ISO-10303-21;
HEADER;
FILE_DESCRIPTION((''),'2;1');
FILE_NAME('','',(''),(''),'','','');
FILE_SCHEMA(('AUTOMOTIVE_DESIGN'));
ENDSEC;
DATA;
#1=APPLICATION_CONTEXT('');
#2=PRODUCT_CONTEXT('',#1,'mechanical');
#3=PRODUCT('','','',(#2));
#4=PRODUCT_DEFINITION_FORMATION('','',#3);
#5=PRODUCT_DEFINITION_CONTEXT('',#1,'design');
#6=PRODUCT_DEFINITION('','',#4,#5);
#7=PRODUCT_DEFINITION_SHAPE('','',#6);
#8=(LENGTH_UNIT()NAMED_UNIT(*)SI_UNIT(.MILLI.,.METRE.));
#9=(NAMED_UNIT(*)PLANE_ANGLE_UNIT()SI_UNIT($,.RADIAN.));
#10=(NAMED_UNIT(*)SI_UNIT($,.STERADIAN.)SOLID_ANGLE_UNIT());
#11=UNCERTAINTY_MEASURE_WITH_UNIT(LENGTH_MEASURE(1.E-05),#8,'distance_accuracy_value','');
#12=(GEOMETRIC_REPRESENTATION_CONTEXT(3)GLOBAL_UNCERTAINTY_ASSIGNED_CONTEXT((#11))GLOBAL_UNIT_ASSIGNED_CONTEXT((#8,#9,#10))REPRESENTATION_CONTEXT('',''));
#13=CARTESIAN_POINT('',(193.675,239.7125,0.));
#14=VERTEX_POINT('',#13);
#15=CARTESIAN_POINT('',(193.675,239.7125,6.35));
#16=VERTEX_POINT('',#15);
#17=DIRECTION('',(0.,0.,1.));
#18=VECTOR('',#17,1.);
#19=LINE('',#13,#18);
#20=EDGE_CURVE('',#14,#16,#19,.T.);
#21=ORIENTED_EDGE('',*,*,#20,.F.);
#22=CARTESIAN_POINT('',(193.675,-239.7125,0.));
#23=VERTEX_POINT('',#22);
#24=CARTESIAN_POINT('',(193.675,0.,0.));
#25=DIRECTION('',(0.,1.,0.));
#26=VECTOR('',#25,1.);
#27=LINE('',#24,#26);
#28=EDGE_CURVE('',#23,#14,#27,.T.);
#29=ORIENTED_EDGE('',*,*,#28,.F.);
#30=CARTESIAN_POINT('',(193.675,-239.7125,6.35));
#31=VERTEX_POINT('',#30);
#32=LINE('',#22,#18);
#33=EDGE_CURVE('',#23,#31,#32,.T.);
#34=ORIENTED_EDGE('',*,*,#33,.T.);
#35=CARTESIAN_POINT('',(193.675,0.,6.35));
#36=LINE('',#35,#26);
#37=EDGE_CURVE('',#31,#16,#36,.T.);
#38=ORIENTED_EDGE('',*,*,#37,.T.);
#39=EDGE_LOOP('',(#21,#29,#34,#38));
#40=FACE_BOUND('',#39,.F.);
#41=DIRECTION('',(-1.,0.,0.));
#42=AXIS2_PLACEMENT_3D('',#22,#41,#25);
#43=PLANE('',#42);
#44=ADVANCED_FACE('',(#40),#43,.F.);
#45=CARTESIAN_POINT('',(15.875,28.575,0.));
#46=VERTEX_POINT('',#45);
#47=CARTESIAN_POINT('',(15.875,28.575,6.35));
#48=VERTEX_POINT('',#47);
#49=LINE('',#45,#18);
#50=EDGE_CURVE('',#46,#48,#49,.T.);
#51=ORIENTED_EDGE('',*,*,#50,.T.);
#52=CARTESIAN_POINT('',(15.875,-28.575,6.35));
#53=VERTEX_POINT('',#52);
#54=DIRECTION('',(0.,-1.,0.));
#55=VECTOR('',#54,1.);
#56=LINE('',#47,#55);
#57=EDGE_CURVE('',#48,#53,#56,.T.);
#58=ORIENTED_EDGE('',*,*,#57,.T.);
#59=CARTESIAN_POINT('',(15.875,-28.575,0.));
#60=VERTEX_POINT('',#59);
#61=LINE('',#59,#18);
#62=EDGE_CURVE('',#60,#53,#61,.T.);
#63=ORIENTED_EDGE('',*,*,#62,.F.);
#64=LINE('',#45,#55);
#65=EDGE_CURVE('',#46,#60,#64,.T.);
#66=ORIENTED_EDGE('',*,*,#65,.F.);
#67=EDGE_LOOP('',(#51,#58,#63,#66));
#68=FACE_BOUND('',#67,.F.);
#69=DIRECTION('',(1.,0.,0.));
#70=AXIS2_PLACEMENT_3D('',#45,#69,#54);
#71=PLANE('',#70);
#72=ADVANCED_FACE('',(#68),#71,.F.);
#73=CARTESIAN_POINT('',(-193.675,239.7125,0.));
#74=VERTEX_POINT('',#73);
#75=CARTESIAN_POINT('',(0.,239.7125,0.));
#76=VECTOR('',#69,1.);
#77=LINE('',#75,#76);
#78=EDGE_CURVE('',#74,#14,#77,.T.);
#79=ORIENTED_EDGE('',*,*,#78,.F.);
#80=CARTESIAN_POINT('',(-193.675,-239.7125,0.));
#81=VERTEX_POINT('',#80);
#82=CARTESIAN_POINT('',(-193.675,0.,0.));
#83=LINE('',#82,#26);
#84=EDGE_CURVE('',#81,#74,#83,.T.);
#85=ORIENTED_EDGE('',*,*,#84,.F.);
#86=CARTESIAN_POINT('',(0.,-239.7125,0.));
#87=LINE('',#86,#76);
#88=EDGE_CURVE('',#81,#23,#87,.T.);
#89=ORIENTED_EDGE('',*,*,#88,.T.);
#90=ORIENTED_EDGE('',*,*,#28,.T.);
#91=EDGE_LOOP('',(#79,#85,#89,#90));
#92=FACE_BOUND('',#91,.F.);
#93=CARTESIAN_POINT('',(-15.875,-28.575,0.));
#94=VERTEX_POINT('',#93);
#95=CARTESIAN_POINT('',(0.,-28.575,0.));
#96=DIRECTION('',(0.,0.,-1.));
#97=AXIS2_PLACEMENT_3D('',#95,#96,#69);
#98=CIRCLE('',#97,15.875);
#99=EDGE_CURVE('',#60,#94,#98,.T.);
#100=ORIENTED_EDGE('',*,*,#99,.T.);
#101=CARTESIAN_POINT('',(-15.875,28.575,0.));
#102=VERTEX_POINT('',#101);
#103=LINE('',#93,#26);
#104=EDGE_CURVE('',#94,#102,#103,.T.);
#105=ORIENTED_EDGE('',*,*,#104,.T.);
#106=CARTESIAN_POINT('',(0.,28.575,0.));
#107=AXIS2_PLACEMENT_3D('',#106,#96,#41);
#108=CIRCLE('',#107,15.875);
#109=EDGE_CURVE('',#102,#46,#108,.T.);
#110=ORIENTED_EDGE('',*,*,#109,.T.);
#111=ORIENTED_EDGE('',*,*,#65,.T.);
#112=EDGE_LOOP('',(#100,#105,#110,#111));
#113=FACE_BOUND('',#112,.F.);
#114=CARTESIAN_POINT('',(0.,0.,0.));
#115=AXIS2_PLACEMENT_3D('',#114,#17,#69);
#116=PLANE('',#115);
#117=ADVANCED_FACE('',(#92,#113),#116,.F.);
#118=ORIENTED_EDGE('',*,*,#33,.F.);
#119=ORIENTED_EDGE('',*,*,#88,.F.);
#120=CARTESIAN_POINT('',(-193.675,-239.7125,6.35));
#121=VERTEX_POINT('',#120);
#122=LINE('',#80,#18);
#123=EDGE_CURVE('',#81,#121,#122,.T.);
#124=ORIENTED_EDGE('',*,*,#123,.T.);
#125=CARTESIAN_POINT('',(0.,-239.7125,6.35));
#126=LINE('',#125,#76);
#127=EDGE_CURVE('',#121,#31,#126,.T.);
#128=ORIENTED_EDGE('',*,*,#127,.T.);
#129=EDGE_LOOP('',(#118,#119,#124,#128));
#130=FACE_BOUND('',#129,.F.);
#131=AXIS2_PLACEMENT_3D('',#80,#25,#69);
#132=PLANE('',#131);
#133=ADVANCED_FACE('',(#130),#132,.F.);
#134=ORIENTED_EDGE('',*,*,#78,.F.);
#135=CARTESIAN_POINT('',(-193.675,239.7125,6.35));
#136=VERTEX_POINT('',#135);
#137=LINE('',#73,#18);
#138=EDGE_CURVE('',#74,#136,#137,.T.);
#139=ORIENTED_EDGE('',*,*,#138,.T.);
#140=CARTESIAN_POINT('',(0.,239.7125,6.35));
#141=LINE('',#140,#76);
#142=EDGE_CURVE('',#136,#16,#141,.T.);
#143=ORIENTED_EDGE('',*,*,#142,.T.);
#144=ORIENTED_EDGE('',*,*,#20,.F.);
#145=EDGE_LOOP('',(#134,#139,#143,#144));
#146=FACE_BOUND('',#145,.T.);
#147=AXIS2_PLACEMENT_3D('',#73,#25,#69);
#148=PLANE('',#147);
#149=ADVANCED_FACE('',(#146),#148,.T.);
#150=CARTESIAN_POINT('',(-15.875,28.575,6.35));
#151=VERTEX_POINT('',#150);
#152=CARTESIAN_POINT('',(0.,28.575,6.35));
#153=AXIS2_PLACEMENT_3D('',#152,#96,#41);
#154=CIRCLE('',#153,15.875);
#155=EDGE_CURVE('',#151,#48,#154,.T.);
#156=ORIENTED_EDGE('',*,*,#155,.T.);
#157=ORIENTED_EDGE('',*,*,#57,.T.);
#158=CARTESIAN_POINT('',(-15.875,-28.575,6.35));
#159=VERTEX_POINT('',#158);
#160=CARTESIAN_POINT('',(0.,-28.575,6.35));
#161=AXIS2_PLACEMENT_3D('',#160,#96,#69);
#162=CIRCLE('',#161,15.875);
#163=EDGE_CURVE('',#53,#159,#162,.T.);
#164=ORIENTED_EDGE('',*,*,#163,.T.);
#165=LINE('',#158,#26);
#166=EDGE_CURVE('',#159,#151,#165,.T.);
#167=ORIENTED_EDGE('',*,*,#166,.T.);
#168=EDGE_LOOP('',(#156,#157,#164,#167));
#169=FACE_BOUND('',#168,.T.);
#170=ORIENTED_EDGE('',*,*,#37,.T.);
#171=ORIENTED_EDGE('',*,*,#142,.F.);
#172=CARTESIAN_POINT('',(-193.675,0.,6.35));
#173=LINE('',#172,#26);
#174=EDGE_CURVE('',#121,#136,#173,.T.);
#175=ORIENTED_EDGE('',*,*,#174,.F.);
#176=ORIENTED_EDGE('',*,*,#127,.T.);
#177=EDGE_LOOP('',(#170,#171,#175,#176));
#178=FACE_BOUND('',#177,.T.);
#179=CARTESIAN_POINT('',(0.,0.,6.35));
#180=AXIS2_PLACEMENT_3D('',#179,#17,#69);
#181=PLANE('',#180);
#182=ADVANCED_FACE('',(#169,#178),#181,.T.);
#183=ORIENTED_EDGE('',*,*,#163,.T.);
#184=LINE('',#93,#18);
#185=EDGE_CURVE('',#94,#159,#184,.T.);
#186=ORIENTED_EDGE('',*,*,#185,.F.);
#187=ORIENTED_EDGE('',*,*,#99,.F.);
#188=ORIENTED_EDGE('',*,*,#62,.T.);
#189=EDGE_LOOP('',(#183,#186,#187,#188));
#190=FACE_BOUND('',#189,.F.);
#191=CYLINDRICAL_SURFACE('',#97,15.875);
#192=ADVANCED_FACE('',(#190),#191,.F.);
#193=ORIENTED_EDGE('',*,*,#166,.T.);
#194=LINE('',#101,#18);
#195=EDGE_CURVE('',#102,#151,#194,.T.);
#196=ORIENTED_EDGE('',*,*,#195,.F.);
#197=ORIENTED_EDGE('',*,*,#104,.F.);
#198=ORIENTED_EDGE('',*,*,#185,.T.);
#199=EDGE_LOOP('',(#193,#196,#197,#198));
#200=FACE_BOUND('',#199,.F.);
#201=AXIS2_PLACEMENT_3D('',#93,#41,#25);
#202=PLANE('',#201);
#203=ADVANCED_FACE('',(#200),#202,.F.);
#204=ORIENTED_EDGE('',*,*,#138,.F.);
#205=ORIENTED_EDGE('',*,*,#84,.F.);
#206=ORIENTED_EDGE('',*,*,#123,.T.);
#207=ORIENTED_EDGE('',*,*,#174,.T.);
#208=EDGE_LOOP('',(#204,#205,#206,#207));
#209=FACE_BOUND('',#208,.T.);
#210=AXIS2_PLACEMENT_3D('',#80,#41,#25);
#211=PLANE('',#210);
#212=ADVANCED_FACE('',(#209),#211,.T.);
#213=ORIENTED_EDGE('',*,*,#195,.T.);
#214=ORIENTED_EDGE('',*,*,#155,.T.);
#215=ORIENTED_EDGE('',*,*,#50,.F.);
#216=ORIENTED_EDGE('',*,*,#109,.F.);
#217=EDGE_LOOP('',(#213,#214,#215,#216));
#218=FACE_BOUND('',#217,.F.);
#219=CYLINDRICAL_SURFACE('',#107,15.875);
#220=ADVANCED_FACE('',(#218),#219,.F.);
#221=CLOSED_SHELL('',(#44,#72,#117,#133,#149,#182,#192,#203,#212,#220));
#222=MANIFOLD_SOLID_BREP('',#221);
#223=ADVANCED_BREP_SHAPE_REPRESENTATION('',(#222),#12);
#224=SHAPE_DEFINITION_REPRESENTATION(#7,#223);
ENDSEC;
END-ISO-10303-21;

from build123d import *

# Parameters (mm, degrees)
F0_W     = 387.35
F0_H     = 479.425
F1_DEPTH = 6.35


with BuildPart() as f1:
    # F0 (on Top) → F1 (new body)
    with BuildSketch(Plane.XY):
        Rectangle(F0_W, F0_H)
        with BuildLine():
            Line((-15.875, -28.575), (-15.875, 28.575))
            ThreePointArc((-15.875, 28.575), (0, 44.45), (15.875, 28.575))
            Line((15.875, 28.575), (15.875, -28.575))
            ThreePointArc((15.875, -28.575), (0, -44.45), (-15.875, -28.575))
        make_face(mode=Mode.SUBTRACT)
    extrude(amount=F1_DEPTH)


solid = f1.part
